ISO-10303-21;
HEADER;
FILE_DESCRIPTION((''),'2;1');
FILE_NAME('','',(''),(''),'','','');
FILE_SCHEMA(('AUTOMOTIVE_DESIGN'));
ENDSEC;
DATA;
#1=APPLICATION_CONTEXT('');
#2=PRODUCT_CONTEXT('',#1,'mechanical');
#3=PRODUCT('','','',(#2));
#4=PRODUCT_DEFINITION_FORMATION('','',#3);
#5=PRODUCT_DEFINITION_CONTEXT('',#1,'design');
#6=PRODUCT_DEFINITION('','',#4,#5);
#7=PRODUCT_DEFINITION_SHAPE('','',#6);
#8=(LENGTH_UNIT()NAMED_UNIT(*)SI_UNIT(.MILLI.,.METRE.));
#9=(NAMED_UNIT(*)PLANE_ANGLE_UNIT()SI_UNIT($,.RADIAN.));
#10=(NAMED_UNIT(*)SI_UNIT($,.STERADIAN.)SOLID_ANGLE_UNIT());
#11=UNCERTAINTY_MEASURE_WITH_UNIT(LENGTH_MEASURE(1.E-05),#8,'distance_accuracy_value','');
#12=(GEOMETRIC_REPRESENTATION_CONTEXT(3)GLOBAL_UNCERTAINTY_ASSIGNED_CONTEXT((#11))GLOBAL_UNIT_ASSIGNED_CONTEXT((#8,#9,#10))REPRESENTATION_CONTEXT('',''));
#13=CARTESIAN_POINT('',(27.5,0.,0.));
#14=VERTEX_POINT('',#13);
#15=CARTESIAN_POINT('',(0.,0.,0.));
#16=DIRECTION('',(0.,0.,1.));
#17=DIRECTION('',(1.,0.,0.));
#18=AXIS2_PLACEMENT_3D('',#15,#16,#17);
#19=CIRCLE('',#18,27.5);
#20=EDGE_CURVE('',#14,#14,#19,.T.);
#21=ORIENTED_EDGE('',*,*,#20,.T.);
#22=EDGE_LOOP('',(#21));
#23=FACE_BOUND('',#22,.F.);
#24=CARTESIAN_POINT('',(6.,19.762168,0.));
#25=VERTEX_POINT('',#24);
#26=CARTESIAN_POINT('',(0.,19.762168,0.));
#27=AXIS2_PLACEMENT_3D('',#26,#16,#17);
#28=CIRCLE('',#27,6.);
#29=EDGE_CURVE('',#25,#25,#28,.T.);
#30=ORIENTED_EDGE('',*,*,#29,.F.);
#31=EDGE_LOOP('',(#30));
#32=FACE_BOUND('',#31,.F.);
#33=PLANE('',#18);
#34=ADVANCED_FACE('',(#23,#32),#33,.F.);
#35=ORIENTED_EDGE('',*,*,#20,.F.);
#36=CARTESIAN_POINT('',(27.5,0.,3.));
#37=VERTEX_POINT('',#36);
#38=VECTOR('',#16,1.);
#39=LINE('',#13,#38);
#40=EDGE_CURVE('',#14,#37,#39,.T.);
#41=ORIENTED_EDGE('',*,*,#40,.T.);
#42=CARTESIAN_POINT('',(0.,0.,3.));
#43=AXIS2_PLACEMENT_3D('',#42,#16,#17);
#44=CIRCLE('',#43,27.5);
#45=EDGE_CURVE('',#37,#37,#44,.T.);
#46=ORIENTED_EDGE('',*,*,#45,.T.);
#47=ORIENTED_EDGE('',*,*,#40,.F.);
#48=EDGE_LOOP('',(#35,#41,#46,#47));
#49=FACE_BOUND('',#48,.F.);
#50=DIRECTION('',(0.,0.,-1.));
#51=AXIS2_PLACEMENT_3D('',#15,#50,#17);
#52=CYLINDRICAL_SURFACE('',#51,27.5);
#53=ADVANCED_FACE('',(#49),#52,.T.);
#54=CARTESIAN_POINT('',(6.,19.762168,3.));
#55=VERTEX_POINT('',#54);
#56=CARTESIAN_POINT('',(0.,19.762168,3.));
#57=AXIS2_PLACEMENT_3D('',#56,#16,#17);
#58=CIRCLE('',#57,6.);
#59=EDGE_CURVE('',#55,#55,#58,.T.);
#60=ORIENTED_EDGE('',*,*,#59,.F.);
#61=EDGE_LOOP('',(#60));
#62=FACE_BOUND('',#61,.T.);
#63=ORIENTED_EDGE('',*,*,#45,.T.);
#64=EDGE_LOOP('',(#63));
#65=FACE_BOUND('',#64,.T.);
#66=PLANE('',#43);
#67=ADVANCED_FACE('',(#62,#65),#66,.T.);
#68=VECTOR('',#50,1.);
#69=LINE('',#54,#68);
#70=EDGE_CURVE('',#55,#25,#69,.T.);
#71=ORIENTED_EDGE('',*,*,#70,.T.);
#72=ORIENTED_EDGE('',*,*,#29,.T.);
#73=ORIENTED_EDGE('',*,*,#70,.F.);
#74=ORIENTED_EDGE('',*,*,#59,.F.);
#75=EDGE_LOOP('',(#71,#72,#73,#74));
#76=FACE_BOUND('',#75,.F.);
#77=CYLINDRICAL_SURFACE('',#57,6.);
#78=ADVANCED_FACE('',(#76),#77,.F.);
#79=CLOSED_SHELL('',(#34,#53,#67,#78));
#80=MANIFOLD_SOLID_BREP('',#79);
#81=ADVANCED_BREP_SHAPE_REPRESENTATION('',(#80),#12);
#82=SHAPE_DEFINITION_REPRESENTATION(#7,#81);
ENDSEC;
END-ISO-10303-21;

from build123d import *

# Parameters (mm, degrees)
F0_R     = 27.5
F1_DEPTH = 3
F2_R     = 6
F3_DEPTH = 3.001


with BuildPart() as f1:
    # F0 (on Top) → F1 (new body)
    with BuildSketch(Plane.XY):
        Circle(F0_R)
    extrude(amount=F1_DEPTH)

    # F2 (on face) → F3 (cut, through all)
    with BuildSketch(Plane.XY.offset(3)):
        with Locations((0, 19.762168)):
            Circle(F2_R)
    extrude(amount=-F3_DEPTH, mode=Mode.SUBTRACT)


solid = f1.part
